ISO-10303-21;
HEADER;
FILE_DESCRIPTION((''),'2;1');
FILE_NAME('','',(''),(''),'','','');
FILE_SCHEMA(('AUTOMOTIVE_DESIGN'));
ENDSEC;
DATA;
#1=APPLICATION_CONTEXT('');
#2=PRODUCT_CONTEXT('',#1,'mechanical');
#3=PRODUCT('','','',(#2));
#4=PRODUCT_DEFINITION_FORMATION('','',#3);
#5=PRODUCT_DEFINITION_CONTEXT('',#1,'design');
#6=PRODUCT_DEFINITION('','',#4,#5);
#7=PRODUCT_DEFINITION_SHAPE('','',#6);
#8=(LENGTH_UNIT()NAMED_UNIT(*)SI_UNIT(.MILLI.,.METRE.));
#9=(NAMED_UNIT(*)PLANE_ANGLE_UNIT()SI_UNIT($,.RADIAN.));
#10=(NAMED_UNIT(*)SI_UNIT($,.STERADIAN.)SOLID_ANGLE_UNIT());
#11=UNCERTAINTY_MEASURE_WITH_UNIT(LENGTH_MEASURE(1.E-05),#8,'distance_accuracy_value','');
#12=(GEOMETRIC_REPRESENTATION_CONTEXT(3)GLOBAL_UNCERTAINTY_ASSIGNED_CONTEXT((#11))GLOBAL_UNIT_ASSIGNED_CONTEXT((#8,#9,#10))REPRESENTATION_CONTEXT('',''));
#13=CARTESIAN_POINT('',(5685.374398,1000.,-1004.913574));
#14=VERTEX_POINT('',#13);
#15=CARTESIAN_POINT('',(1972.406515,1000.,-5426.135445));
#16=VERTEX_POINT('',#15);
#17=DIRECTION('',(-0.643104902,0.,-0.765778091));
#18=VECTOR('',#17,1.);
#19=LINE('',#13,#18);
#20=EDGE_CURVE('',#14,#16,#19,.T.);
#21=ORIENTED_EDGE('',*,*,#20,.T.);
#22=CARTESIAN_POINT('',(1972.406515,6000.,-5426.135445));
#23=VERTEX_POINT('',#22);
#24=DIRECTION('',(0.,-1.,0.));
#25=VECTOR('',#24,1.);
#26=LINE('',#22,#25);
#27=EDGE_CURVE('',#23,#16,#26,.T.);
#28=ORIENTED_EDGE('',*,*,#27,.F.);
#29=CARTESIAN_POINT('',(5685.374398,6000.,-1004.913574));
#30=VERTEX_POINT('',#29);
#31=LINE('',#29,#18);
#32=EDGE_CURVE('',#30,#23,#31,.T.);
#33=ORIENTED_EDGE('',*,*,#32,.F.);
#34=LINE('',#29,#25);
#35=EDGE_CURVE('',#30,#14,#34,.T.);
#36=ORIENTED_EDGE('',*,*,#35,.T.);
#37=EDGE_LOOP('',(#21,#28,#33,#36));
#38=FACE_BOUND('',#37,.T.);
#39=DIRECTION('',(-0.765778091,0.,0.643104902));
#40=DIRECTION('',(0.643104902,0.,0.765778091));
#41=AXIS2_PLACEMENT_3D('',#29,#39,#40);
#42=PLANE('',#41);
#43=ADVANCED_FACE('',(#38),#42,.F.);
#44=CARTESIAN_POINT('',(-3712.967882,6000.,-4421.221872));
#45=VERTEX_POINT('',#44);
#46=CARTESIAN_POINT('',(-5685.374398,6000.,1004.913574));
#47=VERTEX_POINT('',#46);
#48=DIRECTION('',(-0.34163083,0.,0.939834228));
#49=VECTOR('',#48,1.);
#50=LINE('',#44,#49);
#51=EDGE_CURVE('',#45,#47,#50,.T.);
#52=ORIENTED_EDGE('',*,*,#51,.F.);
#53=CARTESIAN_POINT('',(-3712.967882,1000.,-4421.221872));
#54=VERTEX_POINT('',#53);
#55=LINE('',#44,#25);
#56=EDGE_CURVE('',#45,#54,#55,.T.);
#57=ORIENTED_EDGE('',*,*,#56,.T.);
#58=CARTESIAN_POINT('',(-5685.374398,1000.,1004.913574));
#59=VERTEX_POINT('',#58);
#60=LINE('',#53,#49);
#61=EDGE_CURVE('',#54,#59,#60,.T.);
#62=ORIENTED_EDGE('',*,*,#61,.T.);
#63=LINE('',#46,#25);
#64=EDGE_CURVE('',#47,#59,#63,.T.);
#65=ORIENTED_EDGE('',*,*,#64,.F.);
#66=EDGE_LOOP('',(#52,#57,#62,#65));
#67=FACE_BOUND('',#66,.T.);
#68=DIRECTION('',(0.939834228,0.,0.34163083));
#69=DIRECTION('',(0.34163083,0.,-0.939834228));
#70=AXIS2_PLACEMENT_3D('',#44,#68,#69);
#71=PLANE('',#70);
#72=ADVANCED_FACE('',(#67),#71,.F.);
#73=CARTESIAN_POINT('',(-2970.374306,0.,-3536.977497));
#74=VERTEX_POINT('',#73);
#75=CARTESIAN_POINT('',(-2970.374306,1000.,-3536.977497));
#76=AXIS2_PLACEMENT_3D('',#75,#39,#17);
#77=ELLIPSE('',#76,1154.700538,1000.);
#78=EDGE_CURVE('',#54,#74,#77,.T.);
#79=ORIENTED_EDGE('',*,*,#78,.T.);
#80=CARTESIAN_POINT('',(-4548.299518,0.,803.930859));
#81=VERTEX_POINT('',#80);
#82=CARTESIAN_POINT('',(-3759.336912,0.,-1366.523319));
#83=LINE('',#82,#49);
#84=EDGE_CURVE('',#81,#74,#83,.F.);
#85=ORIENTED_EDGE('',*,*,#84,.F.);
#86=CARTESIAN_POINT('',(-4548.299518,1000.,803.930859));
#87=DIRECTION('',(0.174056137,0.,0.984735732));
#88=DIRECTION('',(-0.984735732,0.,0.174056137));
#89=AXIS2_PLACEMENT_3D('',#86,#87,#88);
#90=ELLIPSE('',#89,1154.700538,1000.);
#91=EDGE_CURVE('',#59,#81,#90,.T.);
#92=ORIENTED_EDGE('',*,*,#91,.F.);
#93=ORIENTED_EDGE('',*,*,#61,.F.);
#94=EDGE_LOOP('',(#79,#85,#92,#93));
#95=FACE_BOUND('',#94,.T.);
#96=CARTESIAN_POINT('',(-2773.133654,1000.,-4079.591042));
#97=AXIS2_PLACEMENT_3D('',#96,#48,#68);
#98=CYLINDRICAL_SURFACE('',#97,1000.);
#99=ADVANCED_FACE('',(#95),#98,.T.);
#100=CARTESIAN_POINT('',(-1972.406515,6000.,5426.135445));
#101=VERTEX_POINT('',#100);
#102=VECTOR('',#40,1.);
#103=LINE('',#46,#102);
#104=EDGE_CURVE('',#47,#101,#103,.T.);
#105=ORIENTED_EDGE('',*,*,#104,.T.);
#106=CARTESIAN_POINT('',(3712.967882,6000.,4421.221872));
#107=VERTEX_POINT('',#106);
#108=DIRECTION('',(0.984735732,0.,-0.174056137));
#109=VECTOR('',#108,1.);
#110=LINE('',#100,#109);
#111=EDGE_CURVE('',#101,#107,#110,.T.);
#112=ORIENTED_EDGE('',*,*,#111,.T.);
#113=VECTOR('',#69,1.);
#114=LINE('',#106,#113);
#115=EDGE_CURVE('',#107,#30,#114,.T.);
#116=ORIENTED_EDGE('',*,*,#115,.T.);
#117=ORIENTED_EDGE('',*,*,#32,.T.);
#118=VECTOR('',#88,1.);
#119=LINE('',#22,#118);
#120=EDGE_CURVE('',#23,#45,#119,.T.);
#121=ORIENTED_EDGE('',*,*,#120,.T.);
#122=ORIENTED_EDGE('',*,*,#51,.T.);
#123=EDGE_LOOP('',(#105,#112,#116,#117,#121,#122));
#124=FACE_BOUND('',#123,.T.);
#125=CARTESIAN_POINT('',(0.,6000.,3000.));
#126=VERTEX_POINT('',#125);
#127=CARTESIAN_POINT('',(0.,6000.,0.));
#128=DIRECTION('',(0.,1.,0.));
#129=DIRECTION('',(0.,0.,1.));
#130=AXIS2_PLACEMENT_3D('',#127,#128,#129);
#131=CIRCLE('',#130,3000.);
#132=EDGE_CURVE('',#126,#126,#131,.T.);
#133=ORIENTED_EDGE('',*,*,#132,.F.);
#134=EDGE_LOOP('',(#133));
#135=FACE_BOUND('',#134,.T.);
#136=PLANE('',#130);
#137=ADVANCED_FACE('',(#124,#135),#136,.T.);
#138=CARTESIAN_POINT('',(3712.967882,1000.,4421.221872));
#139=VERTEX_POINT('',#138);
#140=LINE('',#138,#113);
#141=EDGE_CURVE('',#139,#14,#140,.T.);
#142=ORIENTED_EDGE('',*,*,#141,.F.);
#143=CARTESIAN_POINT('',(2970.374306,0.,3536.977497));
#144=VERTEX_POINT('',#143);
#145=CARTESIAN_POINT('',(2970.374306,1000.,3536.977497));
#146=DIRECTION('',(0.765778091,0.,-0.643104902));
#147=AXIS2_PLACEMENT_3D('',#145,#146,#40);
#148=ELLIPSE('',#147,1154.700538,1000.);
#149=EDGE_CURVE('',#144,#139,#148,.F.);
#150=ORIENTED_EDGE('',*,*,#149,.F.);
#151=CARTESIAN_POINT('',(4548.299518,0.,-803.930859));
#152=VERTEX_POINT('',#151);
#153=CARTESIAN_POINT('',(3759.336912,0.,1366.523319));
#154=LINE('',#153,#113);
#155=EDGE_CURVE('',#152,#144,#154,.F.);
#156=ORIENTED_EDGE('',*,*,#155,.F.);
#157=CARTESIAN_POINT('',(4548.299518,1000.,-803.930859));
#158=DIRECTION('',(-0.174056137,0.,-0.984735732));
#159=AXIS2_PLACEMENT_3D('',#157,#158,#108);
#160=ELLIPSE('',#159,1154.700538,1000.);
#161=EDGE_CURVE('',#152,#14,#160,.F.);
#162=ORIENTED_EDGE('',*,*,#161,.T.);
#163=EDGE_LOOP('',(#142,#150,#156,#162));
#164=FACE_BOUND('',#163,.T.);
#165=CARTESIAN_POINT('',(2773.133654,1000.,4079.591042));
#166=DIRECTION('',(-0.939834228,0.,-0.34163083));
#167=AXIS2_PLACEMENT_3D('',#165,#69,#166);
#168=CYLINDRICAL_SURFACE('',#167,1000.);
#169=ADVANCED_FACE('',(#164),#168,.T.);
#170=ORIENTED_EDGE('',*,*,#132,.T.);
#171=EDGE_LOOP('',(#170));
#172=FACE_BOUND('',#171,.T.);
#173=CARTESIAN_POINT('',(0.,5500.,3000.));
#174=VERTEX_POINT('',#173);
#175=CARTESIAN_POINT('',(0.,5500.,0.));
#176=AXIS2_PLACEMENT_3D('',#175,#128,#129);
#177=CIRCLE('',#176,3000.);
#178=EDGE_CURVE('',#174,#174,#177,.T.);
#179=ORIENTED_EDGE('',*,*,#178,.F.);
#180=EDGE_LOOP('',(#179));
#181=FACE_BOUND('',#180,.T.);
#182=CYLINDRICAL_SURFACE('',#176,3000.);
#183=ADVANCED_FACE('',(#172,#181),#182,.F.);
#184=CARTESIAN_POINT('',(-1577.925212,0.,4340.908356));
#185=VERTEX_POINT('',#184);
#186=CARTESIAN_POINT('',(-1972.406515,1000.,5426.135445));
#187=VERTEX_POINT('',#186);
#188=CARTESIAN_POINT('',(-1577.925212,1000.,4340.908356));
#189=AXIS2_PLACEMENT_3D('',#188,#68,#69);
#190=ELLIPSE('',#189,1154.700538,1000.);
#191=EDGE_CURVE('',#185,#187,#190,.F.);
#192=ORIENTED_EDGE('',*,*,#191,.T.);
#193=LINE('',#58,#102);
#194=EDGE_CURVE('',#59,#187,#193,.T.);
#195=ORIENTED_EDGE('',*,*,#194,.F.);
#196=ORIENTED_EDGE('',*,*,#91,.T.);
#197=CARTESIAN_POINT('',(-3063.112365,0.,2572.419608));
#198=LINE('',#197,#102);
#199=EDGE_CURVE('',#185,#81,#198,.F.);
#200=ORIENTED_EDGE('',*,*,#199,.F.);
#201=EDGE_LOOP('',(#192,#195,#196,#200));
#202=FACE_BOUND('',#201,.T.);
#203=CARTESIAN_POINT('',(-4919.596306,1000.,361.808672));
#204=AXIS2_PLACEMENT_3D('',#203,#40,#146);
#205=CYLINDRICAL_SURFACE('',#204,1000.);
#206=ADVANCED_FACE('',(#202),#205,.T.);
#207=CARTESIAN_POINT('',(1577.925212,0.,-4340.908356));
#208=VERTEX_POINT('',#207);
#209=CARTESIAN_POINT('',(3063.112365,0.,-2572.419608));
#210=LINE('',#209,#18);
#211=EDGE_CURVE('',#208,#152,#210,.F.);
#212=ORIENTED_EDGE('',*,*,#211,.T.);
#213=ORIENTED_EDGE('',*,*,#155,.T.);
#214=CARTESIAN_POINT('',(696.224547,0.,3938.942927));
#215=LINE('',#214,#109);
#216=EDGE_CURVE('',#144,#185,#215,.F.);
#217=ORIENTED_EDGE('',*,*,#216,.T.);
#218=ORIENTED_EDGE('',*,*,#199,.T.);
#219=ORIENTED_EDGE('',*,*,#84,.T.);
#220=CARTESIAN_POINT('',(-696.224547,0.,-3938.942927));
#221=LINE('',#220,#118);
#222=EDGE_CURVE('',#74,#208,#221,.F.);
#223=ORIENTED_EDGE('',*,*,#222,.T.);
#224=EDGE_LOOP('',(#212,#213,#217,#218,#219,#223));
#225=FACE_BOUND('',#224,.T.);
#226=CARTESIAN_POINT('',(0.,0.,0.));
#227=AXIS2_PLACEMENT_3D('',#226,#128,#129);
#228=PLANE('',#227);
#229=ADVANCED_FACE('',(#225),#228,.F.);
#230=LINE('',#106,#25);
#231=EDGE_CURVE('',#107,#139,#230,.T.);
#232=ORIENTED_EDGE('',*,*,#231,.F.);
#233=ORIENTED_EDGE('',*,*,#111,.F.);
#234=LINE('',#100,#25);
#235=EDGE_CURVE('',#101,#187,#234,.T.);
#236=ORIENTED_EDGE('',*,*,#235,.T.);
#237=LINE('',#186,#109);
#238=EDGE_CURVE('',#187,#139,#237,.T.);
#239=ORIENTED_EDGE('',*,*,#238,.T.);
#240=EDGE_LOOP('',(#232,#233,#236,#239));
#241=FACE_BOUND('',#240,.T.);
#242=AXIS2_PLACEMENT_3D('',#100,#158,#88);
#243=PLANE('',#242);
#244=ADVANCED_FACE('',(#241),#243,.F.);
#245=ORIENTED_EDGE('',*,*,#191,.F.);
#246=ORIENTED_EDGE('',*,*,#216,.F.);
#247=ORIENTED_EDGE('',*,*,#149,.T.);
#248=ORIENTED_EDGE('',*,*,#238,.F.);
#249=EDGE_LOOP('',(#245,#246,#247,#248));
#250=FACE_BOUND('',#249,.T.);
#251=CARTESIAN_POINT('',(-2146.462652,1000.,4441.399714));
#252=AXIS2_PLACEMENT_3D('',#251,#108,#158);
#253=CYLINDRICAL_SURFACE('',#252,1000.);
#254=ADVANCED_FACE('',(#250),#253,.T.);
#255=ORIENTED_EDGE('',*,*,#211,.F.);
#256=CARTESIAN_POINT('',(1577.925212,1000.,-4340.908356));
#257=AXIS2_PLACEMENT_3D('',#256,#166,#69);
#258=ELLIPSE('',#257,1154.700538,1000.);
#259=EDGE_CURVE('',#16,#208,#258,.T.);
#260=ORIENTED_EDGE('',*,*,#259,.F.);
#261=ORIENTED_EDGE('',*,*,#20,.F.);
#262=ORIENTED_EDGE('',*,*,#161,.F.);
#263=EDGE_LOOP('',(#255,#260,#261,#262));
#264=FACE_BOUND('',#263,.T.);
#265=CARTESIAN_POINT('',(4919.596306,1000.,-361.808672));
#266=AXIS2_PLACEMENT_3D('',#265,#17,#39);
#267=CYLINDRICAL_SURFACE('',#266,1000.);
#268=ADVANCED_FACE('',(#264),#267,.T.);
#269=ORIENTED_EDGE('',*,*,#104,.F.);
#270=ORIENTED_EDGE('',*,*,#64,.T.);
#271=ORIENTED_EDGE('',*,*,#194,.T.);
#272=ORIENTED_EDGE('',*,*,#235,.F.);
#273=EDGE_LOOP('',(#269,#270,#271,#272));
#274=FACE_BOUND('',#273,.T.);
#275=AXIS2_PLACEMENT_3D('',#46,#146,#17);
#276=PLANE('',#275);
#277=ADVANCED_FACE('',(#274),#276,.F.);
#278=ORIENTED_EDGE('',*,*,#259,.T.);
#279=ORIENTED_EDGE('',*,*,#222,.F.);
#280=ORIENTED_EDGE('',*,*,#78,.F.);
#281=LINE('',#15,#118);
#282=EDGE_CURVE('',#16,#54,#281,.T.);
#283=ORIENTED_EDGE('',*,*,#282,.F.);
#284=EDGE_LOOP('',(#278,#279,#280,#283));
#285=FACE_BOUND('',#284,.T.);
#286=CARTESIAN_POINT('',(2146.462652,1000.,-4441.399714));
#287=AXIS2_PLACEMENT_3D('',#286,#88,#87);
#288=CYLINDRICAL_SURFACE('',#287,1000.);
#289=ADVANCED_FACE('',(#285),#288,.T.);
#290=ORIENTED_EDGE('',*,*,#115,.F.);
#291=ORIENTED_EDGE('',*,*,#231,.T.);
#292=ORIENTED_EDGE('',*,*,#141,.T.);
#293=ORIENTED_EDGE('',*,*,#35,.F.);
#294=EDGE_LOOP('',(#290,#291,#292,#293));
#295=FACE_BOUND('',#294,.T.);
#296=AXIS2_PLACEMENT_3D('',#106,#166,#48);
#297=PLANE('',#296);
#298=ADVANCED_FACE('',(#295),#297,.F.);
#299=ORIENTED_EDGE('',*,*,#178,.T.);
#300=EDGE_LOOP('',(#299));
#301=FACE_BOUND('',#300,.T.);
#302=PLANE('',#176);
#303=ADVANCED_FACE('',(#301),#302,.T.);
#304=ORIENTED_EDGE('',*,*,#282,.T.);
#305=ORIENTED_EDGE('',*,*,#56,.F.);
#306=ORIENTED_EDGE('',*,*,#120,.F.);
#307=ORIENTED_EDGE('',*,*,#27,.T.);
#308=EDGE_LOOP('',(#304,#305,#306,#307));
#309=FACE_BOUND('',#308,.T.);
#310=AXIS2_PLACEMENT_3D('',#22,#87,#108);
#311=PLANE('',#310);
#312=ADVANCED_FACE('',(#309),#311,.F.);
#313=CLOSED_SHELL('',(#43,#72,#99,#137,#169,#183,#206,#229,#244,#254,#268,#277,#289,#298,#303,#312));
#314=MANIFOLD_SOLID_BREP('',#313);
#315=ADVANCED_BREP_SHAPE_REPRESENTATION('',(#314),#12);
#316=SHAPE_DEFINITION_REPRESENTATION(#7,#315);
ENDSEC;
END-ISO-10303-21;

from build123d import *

# Parameters (mm, degrees)
BOSS_EXTRUDE2_DEPTH = 6000
FILLET2_R           = 1000
SKETCH4_R           = 3000
CUT_EXTRUDE2_DEPTH  = 500


with BuildPart() as part:
    # Sketch1 → Boss-Extrude2 (new body)
    with BuildSketch(Plane(origin=(0, 0, 0), x_dir=(1, 0, 0), z_dir=(0, 1, 0))):
        Polygon((3712.967882418, -4421.221871549), (5685.374397738, 1004.913573835), (1972.40651532, 5426.135445384), (-3712.967882418, 4421.221871549), (-5685.374397738, -1004.913573835), (-1972.40651532, -5426.135445384), align=None)
    extrude(amount=BOSS_EXTRUDE2_DEPTH)

    # Fillet2
    fillet2_edges = [part.edges().sort_by_distance(p)[0] for p in [
        (-3828.890456529, 0, 3215.52450961),
        (-4699.171140078, 0, -1708.154148857),
        (-870.280683549, 0, -4923.678658467),
        (3828.890456529, 0, -3215.52450961),
        (4699.171140078, 0, 1708.154148857),
        (870.280683549, 0, 4923.678658467),
    ]]
    fillet(fillet2_edges, radius=FILLET2_R)

    # Sketch4 → Cut-Extrude2 (cut)
    with BuildSketch(Plane(origin=(0, 6000, 0), x_dir=(1, 0, 0), z_dir=(0, 1, 0))):
        with Locations(Location((0, 0, 0), (0, 0, 270))):
            Circle(SKETCH4_R)
    extrude(amount=-CUT_EXTRUDE2_DEPTH, mode=Mode.SUBTRACT)


solid = part.part
